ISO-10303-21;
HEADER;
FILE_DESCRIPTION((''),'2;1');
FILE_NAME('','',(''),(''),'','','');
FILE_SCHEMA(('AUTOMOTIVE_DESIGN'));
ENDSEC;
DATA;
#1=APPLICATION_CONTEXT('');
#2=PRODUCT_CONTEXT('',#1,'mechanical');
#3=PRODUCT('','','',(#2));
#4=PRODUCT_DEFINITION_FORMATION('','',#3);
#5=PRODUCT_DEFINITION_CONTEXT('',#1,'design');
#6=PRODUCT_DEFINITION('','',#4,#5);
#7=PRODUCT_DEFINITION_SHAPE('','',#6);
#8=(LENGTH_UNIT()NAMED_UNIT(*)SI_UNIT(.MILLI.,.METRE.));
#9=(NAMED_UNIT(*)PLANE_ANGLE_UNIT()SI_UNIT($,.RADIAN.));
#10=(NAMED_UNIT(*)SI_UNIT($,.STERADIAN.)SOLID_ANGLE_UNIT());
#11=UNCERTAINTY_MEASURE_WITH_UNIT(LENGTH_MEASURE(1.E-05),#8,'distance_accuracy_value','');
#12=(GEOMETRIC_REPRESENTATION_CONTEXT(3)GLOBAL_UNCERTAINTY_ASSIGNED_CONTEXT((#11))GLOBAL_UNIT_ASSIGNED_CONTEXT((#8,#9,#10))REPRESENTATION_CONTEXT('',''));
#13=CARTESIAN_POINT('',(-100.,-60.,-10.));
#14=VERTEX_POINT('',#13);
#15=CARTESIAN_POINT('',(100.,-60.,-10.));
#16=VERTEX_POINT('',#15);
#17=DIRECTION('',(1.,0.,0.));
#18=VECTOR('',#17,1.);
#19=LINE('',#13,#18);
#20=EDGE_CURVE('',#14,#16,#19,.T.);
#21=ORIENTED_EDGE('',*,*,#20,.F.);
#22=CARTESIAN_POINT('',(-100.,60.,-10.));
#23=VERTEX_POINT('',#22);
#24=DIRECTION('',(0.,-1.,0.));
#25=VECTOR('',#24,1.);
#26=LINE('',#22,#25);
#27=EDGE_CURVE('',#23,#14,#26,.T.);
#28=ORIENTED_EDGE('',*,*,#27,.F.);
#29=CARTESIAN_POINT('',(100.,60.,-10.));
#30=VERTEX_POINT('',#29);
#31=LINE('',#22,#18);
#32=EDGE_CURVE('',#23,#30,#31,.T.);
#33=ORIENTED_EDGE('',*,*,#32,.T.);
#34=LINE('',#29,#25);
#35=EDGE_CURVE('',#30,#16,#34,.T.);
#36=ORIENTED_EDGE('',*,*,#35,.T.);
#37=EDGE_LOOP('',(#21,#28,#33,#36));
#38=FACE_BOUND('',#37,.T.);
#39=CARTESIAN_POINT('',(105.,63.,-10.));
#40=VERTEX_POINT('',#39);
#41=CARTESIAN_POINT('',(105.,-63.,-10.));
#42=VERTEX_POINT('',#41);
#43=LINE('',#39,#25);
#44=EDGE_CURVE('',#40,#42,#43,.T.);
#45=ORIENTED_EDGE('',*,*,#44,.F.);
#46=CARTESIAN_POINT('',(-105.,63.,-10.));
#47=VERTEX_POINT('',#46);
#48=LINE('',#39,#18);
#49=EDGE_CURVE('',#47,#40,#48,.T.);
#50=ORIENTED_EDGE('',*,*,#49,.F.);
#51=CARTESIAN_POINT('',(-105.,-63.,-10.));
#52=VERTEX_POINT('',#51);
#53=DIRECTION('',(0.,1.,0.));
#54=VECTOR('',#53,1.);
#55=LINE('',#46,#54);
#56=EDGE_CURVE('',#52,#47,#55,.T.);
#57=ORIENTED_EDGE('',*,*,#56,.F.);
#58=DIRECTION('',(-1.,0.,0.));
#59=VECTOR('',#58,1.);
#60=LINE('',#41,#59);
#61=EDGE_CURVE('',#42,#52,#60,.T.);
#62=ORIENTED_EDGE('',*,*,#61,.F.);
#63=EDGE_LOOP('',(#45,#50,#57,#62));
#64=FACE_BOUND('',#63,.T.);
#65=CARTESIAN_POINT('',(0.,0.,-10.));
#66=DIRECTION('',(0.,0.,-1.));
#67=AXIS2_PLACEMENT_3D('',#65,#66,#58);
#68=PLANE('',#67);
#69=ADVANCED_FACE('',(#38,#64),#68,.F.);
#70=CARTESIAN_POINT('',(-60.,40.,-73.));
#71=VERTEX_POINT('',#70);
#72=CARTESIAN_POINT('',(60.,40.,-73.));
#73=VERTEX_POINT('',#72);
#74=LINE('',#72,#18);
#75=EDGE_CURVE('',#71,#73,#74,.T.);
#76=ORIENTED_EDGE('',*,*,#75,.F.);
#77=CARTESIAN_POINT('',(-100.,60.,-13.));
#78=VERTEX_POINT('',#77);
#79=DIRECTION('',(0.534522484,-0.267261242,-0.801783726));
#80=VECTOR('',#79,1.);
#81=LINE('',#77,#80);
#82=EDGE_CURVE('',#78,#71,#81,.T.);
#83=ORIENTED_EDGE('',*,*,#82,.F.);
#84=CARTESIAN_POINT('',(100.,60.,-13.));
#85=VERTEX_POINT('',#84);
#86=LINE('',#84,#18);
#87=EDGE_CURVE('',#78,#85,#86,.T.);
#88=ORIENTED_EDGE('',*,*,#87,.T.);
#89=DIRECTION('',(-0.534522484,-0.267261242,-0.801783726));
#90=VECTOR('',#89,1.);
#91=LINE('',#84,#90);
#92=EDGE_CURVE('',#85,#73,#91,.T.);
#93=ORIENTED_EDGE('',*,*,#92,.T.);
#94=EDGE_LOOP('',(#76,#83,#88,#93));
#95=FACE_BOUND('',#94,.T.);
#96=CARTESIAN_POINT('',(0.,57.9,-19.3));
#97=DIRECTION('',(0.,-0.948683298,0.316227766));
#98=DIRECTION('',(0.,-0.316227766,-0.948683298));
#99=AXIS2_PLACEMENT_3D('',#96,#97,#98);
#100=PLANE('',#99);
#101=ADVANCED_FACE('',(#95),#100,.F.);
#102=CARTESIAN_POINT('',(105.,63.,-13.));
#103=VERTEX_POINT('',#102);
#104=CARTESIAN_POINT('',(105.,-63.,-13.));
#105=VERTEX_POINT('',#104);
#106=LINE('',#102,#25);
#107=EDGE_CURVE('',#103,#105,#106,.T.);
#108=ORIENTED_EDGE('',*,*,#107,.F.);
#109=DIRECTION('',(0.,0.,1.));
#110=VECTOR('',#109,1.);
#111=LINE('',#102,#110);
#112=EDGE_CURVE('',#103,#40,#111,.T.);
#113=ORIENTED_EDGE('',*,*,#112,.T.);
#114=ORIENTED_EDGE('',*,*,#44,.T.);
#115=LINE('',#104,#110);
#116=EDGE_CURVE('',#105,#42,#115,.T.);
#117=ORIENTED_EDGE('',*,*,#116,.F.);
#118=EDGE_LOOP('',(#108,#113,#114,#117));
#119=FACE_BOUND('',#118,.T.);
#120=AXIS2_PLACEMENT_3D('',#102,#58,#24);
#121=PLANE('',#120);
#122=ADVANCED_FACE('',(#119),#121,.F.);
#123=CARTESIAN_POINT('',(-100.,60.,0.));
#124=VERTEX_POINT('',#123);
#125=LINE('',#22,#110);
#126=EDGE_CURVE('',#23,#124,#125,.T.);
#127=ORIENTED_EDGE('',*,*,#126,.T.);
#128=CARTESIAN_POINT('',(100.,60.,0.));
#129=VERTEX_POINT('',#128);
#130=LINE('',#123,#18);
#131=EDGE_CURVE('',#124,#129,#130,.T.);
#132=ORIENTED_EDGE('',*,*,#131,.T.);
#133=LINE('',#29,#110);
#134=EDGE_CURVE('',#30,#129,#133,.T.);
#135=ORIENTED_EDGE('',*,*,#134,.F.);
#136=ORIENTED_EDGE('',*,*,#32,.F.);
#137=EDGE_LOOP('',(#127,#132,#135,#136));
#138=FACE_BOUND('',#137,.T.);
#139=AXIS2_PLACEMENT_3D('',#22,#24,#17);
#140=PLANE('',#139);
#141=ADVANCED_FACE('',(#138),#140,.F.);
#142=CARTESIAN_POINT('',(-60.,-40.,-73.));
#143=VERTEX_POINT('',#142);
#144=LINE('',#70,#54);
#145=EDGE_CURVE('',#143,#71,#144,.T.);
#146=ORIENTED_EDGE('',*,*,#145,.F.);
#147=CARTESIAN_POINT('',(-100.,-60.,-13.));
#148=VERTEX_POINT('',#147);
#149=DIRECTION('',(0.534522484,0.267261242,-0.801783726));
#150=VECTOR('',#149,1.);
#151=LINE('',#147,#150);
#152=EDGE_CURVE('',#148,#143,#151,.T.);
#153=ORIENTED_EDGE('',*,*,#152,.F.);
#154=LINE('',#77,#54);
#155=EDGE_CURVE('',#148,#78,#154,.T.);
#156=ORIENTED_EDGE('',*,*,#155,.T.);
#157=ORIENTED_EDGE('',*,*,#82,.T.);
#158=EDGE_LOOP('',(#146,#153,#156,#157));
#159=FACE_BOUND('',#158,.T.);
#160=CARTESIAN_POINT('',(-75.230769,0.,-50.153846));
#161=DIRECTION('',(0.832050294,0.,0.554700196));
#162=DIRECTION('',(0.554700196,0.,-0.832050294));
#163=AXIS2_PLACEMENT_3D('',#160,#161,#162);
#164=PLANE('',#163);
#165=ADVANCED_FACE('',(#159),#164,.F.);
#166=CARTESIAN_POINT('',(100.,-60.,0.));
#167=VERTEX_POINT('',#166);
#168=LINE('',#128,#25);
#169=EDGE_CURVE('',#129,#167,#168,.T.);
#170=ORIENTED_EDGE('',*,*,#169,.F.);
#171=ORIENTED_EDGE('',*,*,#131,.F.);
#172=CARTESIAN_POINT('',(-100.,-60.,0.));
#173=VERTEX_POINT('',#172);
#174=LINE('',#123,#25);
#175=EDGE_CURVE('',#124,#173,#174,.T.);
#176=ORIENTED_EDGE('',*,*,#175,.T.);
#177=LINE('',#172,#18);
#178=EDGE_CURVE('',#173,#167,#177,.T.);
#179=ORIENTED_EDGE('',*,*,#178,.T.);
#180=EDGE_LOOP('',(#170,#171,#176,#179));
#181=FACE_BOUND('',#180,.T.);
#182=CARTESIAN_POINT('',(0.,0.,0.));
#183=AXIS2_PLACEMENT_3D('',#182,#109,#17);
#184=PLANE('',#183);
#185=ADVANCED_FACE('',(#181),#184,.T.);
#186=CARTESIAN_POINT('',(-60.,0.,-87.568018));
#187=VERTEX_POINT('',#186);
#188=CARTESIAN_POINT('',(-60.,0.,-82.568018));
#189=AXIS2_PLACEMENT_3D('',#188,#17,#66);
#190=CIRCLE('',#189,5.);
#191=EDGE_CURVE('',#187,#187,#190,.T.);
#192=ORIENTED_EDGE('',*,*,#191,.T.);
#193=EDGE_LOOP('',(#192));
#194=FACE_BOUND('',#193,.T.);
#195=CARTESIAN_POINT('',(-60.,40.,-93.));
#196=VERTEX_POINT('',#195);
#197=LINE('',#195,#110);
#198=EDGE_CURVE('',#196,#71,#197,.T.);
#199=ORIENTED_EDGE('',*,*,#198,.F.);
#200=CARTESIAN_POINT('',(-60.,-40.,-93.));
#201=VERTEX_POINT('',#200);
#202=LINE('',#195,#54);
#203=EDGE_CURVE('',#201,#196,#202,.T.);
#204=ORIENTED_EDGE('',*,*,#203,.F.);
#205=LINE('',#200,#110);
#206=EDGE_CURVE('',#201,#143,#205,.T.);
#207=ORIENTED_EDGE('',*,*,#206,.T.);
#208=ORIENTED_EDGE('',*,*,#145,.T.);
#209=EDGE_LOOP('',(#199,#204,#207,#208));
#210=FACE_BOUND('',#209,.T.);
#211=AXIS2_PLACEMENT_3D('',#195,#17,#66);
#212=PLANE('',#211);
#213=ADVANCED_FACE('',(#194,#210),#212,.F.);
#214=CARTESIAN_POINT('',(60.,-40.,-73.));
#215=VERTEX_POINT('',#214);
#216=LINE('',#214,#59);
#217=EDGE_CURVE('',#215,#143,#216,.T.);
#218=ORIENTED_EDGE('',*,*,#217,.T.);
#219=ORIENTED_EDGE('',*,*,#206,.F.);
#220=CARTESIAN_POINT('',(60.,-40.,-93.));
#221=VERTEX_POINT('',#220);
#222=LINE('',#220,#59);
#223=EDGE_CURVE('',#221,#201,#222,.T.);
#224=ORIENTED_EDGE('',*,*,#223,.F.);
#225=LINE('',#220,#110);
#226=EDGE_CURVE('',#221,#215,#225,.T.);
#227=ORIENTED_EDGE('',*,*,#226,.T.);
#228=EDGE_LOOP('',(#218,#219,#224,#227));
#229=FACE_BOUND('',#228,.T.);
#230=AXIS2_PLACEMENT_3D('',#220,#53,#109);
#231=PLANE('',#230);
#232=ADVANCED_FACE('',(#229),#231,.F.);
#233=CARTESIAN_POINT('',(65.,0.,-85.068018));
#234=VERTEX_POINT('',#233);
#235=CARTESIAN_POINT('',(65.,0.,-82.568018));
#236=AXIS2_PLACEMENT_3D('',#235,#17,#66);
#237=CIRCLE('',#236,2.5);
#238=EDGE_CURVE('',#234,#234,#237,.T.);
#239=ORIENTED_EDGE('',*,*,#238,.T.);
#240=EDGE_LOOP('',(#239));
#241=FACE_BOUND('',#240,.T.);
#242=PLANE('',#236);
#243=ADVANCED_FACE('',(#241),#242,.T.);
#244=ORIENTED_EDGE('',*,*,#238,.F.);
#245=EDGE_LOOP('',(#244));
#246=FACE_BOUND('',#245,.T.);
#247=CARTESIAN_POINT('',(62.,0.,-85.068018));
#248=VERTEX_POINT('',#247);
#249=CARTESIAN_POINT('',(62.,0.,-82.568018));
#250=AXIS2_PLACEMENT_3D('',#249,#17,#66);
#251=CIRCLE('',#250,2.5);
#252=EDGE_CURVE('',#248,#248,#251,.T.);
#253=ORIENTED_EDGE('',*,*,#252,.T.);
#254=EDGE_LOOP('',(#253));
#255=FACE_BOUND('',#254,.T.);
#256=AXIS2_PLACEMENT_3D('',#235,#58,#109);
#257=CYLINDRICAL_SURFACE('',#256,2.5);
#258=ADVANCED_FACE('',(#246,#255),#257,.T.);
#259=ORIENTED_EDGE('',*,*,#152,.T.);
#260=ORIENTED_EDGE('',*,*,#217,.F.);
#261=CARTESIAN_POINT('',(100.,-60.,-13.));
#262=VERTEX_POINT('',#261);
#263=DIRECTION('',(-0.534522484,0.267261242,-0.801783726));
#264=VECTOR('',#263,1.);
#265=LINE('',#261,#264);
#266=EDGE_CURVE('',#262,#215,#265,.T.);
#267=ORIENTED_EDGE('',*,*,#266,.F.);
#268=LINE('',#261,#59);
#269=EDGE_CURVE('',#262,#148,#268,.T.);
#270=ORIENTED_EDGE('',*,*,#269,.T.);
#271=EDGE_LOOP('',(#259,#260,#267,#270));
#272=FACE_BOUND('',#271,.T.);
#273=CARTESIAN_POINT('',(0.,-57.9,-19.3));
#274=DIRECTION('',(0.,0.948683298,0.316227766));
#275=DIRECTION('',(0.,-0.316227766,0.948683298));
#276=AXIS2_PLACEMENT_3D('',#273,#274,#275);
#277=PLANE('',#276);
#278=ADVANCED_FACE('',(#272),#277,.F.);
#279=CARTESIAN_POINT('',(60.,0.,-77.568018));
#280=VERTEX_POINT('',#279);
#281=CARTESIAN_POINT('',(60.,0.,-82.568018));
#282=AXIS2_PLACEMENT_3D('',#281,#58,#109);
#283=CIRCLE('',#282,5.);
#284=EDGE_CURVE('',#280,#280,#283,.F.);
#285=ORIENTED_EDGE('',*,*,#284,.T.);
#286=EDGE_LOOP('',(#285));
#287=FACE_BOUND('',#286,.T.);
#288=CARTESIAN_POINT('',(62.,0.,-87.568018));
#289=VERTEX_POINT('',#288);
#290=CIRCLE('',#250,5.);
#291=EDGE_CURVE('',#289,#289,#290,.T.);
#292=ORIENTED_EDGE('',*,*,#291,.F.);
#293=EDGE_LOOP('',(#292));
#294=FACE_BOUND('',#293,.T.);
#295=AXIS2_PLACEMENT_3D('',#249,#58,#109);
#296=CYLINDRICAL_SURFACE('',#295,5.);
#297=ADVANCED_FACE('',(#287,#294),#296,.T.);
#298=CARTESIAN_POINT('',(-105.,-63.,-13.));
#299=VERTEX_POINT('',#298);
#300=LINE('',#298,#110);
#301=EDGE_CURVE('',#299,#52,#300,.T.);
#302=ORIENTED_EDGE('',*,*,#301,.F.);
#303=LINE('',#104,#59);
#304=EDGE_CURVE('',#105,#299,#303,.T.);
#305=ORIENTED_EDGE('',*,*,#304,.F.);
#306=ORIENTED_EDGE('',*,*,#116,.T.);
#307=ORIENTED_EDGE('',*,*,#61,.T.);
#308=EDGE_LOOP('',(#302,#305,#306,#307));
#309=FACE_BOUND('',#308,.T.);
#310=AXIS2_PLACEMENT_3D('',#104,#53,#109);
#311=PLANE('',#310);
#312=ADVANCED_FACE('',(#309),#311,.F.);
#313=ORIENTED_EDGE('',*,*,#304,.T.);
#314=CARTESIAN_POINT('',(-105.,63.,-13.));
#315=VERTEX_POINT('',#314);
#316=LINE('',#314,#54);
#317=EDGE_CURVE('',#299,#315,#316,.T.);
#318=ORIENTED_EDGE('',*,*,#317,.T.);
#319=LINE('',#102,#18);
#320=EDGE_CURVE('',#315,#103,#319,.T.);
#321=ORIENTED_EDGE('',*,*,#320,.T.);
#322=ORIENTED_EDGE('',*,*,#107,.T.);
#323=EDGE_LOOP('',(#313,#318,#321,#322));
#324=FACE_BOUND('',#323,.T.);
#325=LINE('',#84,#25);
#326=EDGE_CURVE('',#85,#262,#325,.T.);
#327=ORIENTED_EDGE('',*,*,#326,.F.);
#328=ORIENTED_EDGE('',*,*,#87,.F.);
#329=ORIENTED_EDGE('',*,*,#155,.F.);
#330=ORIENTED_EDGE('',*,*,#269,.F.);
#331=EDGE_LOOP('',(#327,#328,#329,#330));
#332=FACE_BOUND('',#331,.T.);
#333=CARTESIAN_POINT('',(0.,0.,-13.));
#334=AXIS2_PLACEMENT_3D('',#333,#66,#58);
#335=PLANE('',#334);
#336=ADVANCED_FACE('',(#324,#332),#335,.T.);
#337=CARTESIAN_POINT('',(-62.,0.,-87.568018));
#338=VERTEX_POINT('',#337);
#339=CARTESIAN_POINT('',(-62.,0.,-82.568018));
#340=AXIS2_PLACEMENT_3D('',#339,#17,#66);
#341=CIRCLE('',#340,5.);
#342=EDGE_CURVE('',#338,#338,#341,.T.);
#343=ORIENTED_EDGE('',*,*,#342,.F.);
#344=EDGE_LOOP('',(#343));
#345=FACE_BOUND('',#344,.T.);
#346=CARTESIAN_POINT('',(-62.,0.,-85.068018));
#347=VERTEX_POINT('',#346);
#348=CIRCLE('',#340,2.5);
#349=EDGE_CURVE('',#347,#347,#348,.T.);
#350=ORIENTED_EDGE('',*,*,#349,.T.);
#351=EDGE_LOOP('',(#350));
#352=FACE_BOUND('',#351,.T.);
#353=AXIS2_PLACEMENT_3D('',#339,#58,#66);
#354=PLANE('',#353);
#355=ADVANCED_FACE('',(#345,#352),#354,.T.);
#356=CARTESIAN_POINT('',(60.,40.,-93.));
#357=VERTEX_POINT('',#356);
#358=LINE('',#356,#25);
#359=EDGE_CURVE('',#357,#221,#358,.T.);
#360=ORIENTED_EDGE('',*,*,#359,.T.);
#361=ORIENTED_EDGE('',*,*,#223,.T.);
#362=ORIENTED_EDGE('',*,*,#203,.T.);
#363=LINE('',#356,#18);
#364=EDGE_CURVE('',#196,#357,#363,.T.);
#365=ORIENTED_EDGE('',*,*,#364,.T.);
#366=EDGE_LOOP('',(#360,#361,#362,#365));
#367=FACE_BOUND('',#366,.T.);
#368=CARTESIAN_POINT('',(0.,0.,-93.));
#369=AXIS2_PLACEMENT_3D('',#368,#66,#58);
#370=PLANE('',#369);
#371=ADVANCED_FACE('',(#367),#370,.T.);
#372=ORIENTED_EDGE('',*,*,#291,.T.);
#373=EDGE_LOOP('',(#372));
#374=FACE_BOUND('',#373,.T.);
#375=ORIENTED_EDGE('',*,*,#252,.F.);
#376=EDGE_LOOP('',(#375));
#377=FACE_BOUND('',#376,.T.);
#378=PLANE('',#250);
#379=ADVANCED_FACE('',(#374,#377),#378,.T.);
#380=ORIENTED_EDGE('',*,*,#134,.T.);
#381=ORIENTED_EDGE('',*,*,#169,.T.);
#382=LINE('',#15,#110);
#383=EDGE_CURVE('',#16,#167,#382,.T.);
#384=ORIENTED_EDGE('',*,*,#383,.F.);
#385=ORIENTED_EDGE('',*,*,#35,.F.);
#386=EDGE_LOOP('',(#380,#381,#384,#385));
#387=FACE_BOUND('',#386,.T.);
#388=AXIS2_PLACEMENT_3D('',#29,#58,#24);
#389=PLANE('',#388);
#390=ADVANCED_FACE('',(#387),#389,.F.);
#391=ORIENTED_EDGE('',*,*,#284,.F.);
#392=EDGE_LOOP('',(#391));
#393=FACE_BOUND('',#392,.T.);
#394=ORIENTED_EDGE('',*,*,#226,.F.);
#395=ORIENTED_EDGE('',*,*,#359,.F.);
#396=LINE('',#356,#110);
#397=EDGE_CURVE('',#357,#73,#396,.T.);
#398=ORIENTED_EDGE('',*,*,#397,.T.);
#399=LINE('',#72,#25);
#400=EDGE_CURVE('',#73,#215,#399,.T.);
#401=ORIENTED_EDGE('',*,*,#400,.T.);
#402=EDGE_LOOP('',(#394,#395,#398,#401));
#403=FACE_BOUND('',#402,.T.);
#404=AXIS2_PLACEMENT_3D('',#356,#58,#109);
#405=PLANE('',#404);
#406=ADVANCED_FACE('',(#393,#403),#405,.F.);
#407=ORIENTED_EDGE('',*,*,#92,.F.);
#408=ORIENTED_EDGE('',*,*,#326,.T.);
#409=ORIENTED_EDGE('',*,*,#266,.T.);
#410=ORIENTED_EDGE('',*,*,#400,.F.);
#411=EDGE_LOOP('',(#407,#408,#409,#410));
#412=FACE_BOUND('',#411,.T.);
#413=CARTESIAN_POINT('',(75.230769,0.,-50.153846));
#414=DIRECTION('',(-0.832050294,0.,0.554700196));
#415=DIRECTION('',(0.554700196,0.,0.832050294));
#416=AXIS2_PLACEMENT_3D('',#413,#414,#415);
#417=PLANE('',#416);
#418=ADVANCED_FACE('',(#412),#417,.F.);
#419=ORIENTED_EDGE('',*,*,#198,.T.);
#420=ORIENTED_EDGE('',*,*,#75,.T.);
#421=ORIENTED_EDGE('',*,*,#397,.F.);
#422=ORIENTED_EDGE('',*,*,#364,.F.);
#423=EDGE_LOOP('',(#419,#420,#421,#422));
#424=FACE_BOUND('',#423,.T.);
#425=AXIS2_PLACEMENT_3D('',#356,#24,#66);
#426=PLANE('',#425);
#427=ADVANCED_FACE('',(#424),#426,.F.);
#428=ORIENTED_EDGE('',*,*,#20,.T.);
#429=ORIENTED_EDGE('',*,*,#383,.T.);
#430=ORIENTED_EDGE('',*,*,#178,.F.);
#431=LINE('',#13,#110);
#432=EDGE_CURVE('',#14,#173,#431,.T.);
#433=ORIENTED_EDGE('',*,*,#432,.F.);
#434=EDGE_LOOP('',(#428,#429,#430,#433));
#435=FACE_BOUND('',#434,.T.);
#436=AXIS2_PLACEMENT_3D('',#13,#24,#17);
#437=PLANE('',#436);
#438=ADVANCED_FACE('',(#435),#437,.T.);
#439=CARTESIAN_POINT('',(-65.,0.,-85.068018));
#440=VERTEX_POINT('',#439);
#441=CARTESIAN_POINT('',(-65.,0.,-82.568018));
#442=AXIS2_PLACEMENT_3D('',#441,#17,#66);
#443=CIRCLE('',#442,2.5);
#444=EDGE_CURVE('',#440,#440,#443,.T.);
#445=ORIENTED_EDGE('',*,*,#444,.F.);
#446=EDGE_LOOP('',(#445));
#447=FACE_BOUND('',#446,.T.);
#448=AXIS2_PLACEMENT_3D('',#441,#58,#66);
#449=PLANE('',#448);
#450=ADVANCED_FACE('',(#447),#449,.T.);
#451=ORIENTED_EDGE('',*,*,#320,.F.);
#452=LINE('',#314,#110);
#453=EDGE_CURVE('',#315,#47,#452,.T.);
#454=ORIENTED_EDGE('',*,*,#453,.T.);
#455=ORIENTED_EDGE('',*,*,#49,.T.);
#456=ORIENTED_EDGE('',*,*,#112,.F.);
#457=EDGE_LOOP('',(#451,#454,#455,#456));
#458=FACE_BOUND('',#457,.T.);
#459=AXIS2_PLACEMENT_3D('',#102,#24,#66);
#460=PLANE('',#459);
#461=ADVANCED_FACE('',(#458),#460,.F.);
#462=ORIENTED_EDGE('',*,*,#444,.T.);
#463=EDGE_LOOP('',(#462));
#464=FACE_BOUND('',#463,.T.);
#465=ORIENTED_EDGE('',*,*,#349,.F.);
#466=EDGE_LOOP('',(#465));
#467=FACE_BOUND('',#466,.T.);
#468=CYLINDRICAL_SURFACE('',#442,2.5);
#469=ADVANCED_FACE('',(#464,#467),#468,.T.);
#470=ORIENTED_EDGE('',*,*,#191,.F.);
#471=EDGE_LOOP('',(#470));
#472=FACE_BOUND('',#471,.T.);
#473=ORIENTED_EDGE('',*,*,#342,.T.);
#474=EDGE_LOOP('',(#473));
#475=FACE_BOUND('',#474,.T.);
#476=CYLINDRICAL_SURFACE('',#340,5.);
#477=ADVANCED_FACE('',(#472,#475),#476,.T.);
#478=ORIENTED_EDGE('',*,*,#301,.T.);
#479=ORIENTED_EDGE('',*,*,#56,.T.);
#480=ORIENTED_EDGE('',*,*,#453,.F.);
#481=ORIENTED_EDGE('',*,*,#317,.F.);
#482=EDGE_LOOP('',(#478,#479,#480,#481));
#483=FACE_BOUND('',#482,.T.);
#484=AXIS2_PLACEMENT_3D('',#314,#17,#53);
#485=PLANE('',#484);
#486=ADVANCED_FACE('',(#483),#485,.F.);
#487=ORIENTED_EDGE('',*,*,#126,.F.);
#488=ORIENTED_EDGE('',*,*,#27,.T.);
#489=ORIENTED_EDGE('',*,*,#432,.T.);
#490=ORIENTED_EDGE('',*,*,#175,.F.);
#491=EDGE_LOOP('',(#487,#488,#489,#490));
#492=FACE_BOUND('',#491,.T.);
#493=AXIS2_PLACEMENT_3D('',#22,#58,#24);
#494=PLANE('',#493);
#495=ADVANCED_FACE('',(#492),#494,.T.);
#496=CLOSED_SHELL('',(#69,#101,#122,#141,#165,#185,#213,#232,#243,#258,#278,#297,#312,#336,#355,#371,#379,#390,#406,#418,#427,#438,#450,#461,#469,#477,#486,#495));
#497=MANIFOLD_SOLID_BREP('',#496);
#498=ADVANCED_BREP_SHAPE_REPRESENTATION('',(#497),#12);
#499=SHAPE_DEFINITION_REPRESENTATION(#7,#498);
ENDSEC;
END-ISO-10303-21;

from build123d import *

# Parameters (mm, degrees)
SKETCH_2_W      = 200
SKETCH_2_H      = 120
EXTRUDE_1_DEPTH = 10
SKETCH_3_W      = 210
SKETCH_3_H      = 126
EXTRUDE_2_DEPTH = 3
SKETCH_8_W      = 120
SKETCH_8_H      = 80
EXTRUDE_4_DEPTH = 20
SKETCH_9_R      = 5
EXTRUDE_5_DEPTH = 2
SKETCH_10_R     = 2.5
EXTRUDE_6_DEPTH = 3


with BuildPart() as part:
    # 草图2 → 凸台-拉伸1 (new body)
    with BuildSketch(Plane.XY):
        Rectangle(SKETCH_2_W, SKETCH_2_H)
    extrude(amount=-EXTRUDE_1_DEPTH)

    # 草图3 → 凸台-拉伸2 (add)
    with BuildSketch(Plane(origin=(0, 0, -10), x_dir=(-1, 0, 0), z_dir=(0, 0, -1))):
        Rectangle(SKETCH_3_W, SKETCH_3_H)
    extrude(amount=EXTRUDE_2_DEPTH)

    # 草图5 → 放样2 section 0
    with BuildSketch(Plane(origin=(0, 0, -13), x_dir=(-1, 0, 0), z_dir=(0, 0, -1))):
        with BuildLine():
            Line((-100, 60), (100, 60))
            Line((100, 60), (100, -60))
            Line((100, -60), (-100, -60))
            Line((-100, -60), (-100, 60))
        make_face()
    # 草图4 → 放样2 section 1
    with BuildSketch(Plane(origin=(0, 0, -73), x_dir=(-1, 0, 0), z_dir=(0, 0, -1))):
        with BuildLine():
            Line((-60, 40), (60, 40))
            Line((60, 40), (60, -40))
            Line((60, -40), (-60, -40))
            Line((-60, -40), (-60, 40))
        make_face()
    loft()

    # 草图8 → 凸台-拉伸4 (add)
    with BuildSketch(Plane(origin=(0, 0, -73), x_dir=(-1, 0, 0), z_dir=(0, 0, -1))):
        Rectangle(SKETCH_8_W, SKETCH_8_H)
    extrude(amount=EXTRUDE_4_DEPTH)

    # 草图9 → 凸台-拉伸5 (add)
    with BuildSketch(Plane(origin=(60, 0, 0), x_dir=(0, 0, -1), z_dir=(1, 0, 0))):
        with Locations(Location((82.568018159, 0, 0), (0, 0, 180))):
            Circle(SKETCH_9_R)
    extrude_5 = extrude(amount=EXTRUDE_5_DEPTH)

    # 草图10 → 凸台-拉伸6 (add)
    with BuildSketch(Plane(origin=(62, 0, 0), x_dir=(0, 0, -1), z_dir=(1, 0, 0))):
        with Locations((82.568018159, 0)):
            Circle(SKETCH_10_R)
    extrude_6 = extrude(amount=EXTRUDE_6_DEPTH)

    # 镜向1: 凸台-拉伸5, 凸台-拉伸6 across plane
    add(extrude_5.mirror(Plane(origin=(0, 0, 0), x_dir=(0, 0, 1), z_dir=(1, 0, 0))))
    add(extrude_6.mirror(Plane(origin=(0, 0, 0), x_dir=(0, 0, 1), z_dir=(1, 0, 0))))


solid = part.part
